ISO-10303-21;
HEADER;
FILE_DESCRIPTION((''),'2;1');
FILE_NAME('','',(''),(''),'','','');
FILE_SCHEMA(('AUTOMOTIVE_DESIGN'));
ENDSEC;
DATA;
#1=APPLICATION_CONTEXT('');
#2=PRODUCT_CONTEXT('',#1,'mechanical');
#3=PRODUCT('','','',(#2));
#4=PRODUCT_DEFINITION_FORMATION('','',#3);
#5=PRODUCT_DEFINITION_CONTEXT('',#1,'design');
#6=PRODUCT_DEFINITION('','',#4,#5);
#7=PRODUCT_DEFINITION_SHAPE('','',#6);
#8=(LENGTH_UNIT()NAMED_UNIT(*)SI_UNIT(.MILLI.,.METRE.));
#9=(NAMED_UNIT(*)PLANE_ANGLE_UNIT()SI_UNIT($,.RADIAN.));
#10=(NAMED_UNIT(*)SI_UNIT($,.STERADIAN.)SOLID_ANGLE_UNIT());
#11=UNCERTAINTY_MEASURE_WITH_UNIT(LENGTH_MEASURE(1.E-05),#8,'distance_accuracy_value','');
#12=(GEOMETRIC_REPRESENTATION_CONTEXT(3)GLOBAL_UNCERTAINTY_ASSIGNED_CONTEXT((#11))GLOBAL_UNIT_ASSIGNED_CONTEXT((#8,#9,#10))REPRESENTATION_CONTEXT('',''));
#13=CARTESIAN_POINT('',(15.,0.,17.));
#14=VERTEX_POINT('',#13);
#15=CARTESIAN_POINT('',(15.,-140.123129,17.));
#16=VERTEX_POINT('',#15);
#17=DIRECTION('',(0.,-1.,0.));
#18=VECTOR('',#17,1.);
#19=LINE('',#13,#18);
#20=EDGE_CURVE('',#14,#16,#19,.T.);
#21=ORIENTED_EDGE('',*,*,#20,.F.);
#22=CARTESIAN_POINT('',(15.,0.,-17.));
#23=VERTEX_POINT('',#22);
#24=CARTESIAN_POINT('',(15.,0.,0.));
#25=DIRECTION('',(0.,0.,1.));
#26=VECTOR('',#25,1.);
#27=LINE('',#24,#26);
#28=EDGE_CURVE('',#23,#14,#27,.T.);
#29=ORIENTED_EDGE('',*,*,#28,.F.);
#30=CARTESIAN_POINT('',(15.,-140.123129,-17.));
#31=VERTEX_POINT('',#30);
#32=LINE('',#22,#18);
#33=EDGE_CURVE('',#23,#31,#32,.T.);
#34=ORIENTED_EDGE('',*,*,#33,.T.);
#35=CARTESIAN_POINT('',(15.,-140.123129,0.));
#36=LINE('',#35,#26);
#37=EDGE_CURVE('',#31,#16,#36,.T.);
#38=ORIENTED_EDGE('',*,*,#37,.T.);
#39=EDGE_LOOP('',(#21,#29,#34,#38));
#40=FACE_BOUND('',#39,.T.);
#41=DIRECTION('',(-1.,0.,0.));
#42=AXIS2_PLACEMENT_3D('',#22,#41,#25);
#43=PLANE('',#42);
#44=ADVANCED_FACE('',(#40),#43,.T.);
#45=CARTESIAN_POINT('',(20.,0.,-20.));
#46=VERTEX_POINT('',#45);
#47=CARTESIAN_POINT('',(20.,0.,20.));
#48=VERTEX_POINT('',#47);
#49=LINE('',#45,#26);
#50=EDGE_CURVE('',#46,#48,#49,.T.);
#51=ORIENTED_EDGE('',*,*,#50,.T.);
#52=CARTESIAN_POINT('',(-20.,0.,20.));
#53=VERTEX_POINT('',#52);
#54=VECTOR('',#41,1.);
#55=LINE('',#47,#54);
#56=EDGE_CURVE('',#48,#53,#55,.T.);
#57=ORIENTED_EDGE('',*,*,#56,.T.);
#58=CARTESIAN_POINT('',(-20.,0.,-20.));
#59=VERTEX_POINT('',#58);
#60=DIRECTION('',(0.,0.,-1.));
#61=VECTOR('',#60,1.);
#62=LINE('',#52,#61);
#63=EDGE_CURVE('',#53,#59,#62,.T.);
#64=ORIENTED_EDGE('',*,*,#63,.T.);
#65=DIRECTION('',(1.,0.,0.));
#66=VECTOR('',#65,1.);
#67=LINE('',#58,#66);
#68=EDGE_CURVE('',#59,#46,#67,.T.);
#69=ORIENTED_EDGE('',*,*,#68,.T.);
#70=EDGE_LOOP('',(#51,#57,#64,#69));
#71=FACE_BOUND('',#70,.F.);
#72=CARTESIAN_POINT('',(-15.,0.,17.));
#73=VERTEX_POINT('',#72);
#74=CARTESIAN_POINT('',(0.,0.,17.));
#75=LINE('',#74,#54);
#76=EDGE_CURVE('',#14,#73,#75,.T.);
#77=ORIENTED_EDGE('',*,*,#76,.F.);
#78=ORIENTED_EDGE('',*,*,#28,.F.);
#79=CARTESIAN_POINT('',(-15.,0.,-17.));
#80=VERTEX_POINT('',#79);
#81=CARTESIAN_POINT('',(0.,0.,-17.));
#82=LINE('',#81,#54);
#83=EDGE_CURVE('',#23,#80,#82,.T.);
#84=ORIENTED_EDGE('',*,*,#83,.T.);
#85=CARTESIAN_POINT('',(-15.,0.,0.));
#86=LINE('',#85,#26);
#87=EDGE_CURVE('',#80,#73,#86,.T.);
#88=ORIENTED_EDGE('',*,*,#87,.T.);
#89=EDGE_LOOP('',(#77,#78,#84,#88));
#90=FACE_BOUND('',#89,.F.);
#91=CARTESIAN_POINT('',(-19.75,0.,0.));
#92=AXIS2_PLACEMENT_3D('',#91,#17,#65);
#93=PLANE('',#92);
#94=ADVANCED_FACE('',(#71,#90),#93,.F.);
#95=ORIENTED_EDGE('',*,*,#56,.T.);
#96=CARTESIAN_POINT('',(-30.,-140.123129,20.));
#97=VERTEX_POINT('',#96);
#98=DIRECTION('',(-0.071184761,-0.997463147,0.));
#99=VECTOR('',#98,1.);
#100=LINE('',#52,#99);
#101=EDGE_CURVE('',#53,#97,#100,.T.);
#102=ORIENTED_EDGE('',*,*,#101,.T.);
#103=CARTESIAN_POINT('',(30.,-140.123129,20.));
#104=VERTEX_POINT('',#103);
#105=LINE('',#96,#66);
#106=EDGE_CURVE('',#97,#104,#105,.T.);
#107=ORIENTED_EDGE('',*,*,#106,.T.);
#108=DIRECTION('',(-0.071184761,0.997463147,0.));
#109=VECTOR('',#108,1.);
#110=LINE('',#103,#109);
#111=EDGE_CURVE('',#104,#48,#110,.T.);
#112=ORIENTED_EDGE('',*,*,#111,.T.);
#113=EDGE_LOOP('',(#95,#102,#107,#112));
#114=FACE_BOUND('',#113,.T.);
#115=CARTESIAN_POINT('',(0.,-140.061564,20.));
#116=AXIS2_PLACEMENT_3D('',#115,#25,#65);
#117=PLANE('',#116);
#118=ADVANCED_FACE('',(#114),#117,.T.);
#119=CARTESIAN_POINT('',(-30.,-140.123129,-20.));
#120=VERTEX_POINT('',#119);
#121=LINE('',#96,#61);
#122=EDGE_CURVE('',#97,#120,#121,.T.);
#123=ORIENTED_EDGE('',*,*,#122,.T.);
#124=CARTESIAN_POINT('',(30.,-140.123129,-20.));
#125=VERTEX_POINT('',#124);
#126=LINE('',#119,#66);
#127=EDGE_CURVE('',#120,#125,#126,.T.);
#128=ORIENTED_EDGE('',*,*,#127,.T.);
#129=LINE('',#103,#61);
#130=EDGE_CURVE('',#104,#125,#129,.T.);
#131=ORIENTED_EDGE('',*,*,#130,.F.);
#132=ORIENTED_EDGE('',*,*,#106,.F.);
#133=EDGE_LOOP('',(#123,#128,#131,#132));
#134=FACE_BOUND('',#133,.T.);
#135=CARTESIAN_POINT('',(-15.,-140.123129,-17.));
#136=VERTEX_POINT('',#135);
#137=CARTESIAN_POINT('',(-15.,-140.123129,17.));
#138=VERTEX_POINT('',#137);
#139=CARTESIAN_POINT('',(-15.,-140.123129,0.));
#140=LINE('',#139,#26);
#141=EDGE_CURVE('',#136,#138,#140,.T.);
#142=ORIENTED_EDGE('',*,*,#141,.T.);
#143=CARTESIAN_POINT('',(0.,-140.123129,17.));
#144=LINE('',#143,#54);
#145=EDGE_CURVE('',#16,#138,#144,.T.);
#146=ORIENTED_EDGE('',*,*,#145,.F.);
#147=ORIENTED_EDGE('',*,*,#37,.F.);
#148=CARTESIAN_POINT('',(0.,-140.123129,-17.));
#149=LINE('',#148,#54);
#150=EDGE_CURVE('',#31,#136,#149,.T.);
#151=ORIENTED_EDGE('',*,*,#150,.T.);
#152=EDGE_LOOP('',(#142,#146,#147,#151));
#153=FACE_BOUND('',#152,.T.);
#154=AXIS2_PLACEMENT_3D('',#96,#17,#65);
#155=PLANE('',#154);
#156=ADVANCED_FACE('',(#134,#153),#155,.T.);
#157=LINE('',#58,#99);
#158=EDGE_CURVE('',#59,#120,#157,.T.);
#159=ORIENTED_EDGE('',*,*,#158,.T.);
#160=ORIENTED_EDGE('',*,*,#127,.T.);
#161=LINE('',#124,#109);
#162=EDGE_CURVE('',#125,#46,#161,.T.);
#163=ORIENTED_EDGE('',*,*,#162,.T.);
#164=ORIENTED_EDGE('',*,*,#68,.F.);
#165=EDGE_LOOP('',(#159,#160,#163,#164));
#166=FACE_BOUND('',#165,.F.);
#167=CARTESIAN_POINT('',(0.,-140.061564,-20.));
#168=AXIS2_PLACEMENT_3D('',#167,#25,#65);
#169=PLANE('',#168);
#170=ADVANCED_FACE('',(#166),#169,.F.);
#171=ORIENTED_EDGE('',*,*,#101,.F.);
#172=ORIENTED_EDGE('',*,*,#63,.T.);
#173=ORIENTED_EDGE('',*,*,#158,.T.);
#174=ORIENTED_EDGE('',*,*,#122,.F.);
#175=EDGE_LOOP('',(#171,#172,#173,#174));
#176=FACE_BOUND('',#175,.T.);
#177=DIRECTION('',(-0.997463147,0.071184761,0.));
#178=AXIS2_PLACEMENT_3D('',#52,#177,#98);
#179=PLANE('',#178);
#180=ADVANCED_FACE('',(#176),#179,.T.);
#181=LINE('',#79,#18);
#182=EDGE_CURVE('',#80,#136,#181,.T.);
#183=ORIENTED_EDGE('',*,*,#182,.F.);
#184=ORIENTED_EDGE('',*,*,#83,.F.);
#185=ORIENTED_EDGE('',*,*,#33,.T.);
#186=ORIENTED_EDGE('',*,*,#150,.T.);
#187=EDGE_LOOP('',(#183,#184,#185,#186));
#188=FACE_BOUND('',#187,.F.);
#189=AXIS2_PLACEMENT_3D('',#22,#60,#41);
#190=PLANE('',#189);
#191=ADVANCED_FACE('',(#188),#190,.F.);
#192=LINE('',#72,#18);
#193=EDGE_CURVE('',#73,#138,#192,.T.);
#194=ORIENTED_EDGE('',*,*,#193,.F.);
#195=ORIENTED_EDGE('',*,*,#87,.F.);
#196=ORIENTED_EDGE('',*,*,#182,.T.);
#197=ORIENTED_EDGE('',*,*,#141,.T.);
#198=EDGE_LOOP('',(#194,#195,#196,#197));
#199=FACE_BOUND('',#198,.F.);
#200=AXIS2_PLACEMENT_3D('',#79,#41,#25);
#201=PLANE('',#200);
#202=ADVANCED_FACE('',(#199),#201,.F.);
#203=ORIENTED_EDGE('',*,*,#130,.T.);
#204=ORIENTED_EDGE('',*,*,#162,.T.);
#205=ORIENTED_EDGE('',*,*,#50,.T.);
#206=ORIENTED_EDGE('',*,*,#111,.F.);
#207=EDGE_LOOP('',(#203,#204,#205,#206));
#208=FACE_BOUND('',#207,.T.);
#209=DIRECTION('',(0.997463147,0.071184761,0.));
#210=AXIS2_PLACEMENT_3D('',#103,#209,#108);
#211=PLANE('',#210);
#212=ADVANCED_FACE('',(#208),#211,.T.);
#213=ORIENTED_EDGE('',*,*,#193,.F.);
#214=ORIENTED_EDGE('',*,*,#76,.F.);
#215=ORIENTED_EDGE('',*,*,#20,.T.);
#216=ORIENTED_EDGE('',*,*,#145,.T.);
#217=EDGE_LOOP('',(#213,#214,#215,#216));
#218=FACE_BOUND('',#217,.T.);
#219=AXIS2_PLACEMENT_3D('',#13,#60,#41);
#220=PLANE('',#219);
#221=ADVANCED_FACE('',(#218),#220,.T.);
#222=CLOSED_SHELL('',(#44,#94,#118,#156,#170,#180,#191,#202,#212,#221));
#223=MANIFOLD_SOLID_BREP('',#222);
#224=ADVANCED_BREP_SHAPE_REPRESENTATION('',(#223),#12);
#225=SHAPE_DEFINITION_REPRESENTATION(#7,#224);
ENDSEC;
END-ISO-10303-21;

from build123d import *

# Parameters (mm, degrees)
F0_W     = 1
F0_H     = 30
F0_W_2   = 38
F0_H_2   = 1.332180649
F1_DEPTH = 140
F2_W     = 40
F2_H     = 0.123128891
F3_DEPTH = 40
F4_W     = 30
F4_H     = 34
F5_DEPTH = 140.123128891


with BuildPart() as f1:
    # F0 (on Front) → F1 (new body)
    with BuildSketch(Plane.XZ):
        Polygon((-19.5, 15), (-20, 15), (-20, -11.8550653383), (-20, -15), (-19.5, -15), (-19.5, -5.2632528394), (-19.5, -3.2632528394), (-19.5, 2.7367471606), (-19.5, 4.7367471606), align=None)
        Polygon((-19, -15), (-19, 15), (-19.5, 15), (-19.5, 4.7367471606), (-19.5, 2.7367471606), (-19.5, -3.2632528394), (-19.5, -5.2632528394), (-19.5, -15), align=None)
        Polygon((-17.5, -17.5), (-20, -15), (-20, -20), (-15, -20), align=None)
        Polygon((-15, -15), (-19, -15), (-19.5, -15), (-20, -15), (-17.5, -17.5), (-16.767766953, -16.767766953), align=None)
        Polygon((-15, -17.5), (-15, -15), (-16.767766953, -16.767766953), (-17.5, -17.5), (-15, -20), align=None)
        with BuildLine():
            Line((15, -15), (-15, -15))
            Line((-15, -15), (-15, -17.5))
            Line((-15, -17.5), (-11.391207267, -17.5))
            ThreePointArc((-11.391207267, -17.5), (-10.2485464886, -16.3573392216), (-9.1058857102, -17.5))
            Line((-9.1058857102, -17.5), (-7.9234171988, -17.5))
            ThreePointArc((-7.9234171988, -17.5), (-5.948765669, -15.5253484702), (-3.9741141393, -17.5))
            Line((-3.9741141393, -17.5), (3.9741141393, -17.5))
            ThreePointArc((3.9741141393, -17.5), (5.948765669, -15.5253484702), (7.9234171988, -17.5))
            Line((7.9234171988, -17.5), (9.1058857102, -17.5))
            ThreePointArc((9.1058857102, -17.5), (10.2485464886, -16.3573392216), (11.391207267, -17.5))
            Line((11.391207267, -17.5), (15, -17.5))
            Line((15, -17.5), (15, -15))
        make_face()
        with BuildLine():
            Line((-15, -20), (15, -20))
            Line((15, -20), (15, -17.5))
            Line((15, -17.5), (11.391207267, -17.5))
            ThreePointArc((11.391207267, -17.5), (10.2485464886, -18.6426607784), (9.1058857102, -17.5))
            Line((9.1058857102, -17.5), (7.9234171988, -17.5))
            ThreePointArc((7.9234171988, -17.5), (5.948765669, -19.4746515298), (3.9741141393, -17.5))
            Line((3.9741141393, -17.5), (-3.9741141393, -17.5))
            ThreePointArc((-3.9741141393, -17.5), (-5.948765669, -19.4746515298), (-7.9234171988, -17.5))
            Line((-7.9234171988, -17.5), (-9.1058857102, -17.5))
            ThreePointArc((-9.1058857102, -17.5), (-10.2485464886, -18.6426607784), (-11.391207267, -17.5))
            Line((-11.391207267, -17.5), (-15, -17.5))
            Line((-15, -17.5), (-15, -20))
        make_face()
        with BuildLine():
            Line((-9.1058857102, -17.5), (-11.391207267, -17.5))
            ThreePointArc((-11.391207267, -17.5), (-10.2485464886, -18.6426607784), (-9.1058857102, -17.5))
        make_face()
        with BuildLine():
            ThreePointArc((-9.1058857102, -17.5), (-10.2485464886, -16.3573392216), (-11.391207267, -17.5))
            Line((-11.391207267, -17.5), (-9.1058857102, -17.5))
        make_face()
        with BuildLine():
            ThreePointArc((-3.9741141393, -17.5), (-5.948765669, -15.5253484702), (-7.9234171988, -17.5))
            Line((-7.9234171988, -17.5), (-3.9741141393, -17.5))
        make_face()
        with BuildLine():
            Line((-3.9741141393, -17.5), (-7.9234171988, -17.5))
            ThreePointArc((-7.9234171988, -17.5), (-5.948765669, -19.4746515298), (-3.9741141393, -17.5))
        make_face()
        with BuildLine():
            Line((3.9741141393, -17.5), (7.9234171988, -17.5))
            ThreePointArc((7.9234171988, -17.5), (5.948765669, -15.5253484702), (3.9741141393, -17.5))
        make_face()
        with BuildLine():
            ThreePointArc((3.9741141393, -17.5), (5.948765669, -19.4746515298), (7.9234171988, -17.5))
            Line((7.9234171988, -17.5), (3.9741141393, -17.5))
        make_face()
        Polygon((19, 17.5), (-19, 17.5), (-19, 15), (-19, -15), (-15, -15), (15, -15), (19, -15), (19, 15), align=None)
        with BuildLine():
            ThreePointArc((9.1058857102, -17.5), (10.2485464886, -18.6426607784), (11.391207267, -17.5))
            Line((11.391207267, -17.5), (9.1058857102, -17.5))
        make_face()
        with BuildLine():
            Line((9.1058857102, -17.5), (11.391207267, -17.5))
            ThreePointArc((11.391207267, -17.5), (10.2485464886, -16.3573392216), (9.1058857102, -17.5))
        make_face()
        Polygon((20, -20), (20, -15), (19, -15), (15, -15), (15, -17.5), (15, -20), align=None)
        with Locations((19.5, 0)):
            Rectangle(F0_W, F0_H)
        Polygon((-19, 18.832180649), (-19, 20), (-20, 20), (-20, 15), (-19.5, 15), (-19, 15), (-19, 17.5), align=None)
        with Locations((0, 18.1660903245)):
            Rectangle(F0_W_2, F0_H_2)
        Polygon((15, 20), (-15, 20), (-19, 20), (-19, 18.832180649), (19, 18.832180649), (19, 20), align=None)
        Polygon((20, 20), (19, 20), (19, 18.832180649), (19, 17.5), (19, 15), (20, 15), align=None)
    extrude(amount=F1_DEPTH)

    # F2 (on face) → F3 (join, through all)
    with BuildSketch(Plane.XY.offset(20)):
        with Locations((0, -140.0615644455)):
            Rectangle(F2_W, F2_H)
        Polygon((-20, -140.123128891), (-20, -140), (-20, 0), (-30, -140.123128891), align=None)
        Polygon((20, 0), (20, -140), (20, -140.123128891), (30, -140.123128891), align=None)
    extrude(amount=-F3_DEPTH)

    # F4 (on face) → F5 (cut, through all)
    with BuildSketch(Plane(origin=(0, 0, 0), x_dir=(-1, 0, 0), z_dir=(0, 1, 0))):
        Rectangle(F4_W, F4_H)
    extrude(amount=-F5_DEPTH, mode=Mode.SUBTRACT)


solid = f1.part
